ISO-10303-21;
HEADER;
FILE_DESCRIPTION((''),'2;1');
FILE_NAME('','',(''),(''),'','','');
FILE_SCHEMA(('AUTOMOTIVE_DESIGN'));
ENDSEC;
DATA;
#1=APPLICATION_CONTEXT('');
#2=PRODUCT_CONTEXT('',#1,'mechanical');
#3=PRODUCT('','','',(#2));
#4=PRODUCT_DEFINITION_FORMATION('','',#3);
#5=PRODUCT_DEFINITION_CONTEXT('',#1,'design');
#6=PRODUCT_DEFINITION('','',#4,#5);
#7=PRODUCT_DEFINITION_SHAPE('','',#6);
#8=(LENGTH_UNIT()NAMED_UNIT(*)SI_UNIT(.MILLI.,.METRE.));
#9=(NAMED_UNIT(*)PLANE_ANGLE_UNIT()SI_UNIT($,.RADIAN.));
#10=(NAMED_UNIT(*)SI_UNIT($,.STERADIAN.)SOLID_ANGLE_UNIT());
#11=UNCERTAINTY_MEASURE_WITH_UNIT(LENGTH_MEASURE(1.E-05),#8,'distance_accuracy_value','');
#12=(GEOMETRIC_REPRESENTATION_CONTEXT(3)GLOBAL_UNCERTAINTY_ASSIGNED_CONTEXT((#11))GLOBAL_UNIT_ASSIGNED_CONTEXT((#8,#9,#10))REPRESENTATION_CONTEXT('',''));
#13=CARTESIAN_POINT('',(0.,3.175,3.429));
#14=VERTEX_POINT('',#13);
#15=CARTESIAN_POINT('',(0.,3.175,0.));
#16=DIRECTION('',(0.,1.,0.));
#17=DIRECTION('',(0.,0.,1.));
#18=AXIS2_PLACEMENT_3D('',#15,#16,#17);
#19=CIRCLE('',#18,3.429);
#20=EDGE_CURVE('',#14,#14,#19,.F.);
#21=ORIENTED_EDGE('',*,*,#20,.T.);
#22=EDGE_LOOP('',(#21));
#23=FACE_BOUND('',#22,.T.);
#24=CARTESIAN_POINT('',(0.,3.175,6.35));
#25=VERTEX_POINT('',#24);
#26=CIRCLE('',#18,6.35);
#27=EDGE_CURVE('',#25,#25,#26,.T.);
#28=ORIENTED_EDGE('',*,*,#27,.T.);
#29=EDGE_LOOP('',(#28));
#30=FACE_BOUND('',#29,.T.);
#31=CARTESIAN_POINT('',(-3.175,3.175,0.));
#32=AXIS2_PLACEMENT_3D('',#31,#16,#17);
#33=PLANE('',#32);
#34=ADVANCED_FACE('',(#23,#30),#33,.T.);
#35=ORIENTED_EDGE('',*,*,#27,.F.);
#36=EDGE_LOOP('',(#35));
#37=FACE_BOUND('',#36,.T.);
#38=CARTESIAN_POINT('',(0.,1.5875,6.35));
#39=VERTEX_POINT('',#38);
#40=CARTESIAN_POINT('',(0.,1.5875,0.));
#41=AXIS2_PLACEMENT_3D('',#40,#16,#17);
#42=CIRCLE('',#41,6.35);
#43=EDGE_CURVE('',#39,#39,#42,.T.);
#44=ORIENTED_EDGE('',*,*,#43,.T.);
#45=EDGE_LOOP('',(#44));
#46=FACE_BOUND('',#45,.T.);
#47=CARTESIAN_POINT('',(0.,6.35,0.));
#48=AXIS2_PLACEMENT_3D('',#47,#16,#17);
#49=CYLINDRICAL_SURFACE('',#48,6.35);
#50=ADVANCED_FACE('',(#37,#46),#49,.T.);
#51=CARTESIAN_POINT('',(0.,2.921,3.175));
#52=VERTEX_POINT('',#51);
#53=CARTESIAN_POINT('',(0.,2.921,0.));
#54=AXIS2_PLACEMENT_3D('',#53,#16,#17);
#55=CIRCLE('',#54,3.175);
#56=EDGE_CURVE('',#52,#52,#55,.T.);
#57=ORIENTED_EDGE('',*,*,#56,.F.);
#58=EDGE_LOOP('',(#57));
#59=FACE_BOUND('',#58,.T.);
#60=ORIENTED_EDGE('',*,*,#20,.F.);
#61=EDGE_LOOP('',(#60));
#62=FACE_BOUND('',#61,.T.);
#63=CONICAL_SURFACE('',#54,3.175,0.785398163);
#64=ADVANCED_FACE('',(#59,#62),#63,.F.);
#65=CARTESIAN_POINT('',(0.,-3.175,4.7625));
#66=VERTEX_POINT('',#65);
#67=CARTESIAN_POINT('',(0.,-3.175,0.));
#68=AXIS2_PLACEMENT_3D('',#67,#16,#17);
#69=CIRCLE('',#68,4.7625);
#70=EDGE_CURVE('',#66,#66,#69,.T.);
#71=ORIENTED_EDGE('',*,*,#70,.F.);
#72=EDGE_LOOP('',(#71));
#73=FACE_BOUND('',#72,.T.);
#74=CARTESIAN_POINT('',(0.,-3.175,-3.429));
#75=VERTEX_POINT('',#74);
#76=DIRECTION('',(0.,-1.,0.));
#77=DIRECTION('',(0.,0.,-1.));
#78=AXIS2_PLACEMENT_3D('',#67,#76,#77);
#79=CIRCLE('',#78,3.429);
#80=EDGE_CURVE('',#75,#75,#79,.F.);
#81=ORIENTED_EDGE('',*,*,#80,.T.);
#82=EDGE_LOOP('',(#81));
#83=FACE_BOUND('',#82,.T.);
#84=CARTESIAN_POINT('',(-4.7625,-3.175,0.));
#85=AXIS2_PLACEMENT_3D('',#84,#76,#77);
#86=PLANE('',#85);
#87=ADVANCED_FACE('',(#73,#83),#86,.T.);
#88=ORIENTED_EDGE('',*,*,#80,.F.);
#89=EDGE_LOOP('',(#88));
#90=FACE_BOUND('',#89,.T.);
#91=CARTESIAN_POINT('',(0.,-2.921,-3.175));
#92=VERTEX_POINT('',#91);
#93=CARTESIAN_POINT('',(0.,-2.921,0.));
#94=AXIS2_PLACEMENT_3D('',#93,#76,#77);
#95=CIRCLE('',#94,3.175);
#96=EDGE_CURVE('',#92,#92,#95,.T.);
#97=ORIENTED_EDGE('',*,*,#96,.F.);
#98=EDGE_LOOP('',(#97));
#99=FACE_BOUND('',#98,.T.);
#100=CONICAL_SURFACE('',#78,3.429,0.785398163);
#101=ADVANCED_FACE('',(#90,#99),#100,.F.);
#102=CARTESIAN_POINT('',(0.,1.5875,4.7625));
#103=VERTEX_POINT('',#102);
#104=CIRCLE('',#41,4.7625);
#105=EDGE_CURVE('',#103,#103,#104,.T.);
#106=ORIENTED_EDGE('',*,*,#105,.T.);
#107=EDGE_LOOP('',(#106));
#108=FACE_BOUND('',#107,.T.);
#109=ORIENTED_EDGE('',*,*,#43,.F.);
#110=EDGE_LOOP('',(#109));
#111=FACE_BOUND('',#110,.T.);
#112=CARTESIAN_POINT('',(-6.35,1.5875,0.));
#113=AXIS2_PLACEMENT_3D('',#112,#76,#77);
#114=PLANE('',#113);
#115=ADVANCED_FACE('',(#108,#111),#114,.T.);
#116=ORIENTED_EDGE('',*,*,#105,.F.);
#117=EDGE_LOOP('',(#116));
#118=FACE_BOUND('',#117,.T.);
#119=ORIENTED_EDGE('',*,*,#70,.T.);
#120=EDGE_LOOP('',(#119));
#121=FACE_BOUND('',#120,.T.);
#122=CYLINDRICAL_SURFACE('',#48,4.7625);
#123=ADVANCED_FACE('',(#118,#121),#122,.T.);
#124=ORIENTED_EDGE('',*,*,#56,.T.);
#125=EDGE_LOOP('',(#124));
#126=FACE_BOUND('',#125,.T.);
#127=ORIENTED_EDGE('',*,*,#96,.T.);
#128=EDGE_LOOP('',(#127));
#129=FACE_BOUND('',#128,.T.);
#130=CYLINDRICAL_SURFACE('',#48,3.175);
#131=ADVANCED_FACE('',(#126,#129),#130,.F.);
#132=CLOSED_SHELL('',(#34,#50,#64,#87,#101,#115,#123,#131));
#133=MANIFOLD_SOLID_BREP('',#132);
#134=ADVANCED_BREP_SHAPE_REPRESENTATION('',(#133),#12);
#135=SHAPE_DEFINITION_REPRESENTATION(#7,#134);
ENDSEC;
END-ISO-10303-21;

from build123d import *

# Parameters (mm, degrees)
CHAMFER1_SIZE = 0.254


with BuildPart() as part:
    # Sketch1 → Revolve1 (revolve)
    with BuildSketch(Plane.XY, mode=Mode.PRIVATE) as revolve1_sk:
        Polygon((-3.175, 3.175), (-6.35, 3.175), (-6.35, 1.5875), (-4.7625, 1.5875), (-4.7625, -3.175), (-3.175, -3.175), align=None)
    revolve(revolve1_sk.sketch.rotate(Axis((0, 6.35, 0), (0, -1, 0)), 270), axis=Axis((0, 6.35, 0), (0, -1, 0)))

    # Chamfer1
    chamfer1_edges = [part.edges().sort_by_distance(p)[0] for p in [
        (0, -3.175, -3.175),
        (0, 3.175, -3.175),
    ]]
    chamfer(chamfer1_edges, length=CHAMFER1_SIZE)


solid = part.part
